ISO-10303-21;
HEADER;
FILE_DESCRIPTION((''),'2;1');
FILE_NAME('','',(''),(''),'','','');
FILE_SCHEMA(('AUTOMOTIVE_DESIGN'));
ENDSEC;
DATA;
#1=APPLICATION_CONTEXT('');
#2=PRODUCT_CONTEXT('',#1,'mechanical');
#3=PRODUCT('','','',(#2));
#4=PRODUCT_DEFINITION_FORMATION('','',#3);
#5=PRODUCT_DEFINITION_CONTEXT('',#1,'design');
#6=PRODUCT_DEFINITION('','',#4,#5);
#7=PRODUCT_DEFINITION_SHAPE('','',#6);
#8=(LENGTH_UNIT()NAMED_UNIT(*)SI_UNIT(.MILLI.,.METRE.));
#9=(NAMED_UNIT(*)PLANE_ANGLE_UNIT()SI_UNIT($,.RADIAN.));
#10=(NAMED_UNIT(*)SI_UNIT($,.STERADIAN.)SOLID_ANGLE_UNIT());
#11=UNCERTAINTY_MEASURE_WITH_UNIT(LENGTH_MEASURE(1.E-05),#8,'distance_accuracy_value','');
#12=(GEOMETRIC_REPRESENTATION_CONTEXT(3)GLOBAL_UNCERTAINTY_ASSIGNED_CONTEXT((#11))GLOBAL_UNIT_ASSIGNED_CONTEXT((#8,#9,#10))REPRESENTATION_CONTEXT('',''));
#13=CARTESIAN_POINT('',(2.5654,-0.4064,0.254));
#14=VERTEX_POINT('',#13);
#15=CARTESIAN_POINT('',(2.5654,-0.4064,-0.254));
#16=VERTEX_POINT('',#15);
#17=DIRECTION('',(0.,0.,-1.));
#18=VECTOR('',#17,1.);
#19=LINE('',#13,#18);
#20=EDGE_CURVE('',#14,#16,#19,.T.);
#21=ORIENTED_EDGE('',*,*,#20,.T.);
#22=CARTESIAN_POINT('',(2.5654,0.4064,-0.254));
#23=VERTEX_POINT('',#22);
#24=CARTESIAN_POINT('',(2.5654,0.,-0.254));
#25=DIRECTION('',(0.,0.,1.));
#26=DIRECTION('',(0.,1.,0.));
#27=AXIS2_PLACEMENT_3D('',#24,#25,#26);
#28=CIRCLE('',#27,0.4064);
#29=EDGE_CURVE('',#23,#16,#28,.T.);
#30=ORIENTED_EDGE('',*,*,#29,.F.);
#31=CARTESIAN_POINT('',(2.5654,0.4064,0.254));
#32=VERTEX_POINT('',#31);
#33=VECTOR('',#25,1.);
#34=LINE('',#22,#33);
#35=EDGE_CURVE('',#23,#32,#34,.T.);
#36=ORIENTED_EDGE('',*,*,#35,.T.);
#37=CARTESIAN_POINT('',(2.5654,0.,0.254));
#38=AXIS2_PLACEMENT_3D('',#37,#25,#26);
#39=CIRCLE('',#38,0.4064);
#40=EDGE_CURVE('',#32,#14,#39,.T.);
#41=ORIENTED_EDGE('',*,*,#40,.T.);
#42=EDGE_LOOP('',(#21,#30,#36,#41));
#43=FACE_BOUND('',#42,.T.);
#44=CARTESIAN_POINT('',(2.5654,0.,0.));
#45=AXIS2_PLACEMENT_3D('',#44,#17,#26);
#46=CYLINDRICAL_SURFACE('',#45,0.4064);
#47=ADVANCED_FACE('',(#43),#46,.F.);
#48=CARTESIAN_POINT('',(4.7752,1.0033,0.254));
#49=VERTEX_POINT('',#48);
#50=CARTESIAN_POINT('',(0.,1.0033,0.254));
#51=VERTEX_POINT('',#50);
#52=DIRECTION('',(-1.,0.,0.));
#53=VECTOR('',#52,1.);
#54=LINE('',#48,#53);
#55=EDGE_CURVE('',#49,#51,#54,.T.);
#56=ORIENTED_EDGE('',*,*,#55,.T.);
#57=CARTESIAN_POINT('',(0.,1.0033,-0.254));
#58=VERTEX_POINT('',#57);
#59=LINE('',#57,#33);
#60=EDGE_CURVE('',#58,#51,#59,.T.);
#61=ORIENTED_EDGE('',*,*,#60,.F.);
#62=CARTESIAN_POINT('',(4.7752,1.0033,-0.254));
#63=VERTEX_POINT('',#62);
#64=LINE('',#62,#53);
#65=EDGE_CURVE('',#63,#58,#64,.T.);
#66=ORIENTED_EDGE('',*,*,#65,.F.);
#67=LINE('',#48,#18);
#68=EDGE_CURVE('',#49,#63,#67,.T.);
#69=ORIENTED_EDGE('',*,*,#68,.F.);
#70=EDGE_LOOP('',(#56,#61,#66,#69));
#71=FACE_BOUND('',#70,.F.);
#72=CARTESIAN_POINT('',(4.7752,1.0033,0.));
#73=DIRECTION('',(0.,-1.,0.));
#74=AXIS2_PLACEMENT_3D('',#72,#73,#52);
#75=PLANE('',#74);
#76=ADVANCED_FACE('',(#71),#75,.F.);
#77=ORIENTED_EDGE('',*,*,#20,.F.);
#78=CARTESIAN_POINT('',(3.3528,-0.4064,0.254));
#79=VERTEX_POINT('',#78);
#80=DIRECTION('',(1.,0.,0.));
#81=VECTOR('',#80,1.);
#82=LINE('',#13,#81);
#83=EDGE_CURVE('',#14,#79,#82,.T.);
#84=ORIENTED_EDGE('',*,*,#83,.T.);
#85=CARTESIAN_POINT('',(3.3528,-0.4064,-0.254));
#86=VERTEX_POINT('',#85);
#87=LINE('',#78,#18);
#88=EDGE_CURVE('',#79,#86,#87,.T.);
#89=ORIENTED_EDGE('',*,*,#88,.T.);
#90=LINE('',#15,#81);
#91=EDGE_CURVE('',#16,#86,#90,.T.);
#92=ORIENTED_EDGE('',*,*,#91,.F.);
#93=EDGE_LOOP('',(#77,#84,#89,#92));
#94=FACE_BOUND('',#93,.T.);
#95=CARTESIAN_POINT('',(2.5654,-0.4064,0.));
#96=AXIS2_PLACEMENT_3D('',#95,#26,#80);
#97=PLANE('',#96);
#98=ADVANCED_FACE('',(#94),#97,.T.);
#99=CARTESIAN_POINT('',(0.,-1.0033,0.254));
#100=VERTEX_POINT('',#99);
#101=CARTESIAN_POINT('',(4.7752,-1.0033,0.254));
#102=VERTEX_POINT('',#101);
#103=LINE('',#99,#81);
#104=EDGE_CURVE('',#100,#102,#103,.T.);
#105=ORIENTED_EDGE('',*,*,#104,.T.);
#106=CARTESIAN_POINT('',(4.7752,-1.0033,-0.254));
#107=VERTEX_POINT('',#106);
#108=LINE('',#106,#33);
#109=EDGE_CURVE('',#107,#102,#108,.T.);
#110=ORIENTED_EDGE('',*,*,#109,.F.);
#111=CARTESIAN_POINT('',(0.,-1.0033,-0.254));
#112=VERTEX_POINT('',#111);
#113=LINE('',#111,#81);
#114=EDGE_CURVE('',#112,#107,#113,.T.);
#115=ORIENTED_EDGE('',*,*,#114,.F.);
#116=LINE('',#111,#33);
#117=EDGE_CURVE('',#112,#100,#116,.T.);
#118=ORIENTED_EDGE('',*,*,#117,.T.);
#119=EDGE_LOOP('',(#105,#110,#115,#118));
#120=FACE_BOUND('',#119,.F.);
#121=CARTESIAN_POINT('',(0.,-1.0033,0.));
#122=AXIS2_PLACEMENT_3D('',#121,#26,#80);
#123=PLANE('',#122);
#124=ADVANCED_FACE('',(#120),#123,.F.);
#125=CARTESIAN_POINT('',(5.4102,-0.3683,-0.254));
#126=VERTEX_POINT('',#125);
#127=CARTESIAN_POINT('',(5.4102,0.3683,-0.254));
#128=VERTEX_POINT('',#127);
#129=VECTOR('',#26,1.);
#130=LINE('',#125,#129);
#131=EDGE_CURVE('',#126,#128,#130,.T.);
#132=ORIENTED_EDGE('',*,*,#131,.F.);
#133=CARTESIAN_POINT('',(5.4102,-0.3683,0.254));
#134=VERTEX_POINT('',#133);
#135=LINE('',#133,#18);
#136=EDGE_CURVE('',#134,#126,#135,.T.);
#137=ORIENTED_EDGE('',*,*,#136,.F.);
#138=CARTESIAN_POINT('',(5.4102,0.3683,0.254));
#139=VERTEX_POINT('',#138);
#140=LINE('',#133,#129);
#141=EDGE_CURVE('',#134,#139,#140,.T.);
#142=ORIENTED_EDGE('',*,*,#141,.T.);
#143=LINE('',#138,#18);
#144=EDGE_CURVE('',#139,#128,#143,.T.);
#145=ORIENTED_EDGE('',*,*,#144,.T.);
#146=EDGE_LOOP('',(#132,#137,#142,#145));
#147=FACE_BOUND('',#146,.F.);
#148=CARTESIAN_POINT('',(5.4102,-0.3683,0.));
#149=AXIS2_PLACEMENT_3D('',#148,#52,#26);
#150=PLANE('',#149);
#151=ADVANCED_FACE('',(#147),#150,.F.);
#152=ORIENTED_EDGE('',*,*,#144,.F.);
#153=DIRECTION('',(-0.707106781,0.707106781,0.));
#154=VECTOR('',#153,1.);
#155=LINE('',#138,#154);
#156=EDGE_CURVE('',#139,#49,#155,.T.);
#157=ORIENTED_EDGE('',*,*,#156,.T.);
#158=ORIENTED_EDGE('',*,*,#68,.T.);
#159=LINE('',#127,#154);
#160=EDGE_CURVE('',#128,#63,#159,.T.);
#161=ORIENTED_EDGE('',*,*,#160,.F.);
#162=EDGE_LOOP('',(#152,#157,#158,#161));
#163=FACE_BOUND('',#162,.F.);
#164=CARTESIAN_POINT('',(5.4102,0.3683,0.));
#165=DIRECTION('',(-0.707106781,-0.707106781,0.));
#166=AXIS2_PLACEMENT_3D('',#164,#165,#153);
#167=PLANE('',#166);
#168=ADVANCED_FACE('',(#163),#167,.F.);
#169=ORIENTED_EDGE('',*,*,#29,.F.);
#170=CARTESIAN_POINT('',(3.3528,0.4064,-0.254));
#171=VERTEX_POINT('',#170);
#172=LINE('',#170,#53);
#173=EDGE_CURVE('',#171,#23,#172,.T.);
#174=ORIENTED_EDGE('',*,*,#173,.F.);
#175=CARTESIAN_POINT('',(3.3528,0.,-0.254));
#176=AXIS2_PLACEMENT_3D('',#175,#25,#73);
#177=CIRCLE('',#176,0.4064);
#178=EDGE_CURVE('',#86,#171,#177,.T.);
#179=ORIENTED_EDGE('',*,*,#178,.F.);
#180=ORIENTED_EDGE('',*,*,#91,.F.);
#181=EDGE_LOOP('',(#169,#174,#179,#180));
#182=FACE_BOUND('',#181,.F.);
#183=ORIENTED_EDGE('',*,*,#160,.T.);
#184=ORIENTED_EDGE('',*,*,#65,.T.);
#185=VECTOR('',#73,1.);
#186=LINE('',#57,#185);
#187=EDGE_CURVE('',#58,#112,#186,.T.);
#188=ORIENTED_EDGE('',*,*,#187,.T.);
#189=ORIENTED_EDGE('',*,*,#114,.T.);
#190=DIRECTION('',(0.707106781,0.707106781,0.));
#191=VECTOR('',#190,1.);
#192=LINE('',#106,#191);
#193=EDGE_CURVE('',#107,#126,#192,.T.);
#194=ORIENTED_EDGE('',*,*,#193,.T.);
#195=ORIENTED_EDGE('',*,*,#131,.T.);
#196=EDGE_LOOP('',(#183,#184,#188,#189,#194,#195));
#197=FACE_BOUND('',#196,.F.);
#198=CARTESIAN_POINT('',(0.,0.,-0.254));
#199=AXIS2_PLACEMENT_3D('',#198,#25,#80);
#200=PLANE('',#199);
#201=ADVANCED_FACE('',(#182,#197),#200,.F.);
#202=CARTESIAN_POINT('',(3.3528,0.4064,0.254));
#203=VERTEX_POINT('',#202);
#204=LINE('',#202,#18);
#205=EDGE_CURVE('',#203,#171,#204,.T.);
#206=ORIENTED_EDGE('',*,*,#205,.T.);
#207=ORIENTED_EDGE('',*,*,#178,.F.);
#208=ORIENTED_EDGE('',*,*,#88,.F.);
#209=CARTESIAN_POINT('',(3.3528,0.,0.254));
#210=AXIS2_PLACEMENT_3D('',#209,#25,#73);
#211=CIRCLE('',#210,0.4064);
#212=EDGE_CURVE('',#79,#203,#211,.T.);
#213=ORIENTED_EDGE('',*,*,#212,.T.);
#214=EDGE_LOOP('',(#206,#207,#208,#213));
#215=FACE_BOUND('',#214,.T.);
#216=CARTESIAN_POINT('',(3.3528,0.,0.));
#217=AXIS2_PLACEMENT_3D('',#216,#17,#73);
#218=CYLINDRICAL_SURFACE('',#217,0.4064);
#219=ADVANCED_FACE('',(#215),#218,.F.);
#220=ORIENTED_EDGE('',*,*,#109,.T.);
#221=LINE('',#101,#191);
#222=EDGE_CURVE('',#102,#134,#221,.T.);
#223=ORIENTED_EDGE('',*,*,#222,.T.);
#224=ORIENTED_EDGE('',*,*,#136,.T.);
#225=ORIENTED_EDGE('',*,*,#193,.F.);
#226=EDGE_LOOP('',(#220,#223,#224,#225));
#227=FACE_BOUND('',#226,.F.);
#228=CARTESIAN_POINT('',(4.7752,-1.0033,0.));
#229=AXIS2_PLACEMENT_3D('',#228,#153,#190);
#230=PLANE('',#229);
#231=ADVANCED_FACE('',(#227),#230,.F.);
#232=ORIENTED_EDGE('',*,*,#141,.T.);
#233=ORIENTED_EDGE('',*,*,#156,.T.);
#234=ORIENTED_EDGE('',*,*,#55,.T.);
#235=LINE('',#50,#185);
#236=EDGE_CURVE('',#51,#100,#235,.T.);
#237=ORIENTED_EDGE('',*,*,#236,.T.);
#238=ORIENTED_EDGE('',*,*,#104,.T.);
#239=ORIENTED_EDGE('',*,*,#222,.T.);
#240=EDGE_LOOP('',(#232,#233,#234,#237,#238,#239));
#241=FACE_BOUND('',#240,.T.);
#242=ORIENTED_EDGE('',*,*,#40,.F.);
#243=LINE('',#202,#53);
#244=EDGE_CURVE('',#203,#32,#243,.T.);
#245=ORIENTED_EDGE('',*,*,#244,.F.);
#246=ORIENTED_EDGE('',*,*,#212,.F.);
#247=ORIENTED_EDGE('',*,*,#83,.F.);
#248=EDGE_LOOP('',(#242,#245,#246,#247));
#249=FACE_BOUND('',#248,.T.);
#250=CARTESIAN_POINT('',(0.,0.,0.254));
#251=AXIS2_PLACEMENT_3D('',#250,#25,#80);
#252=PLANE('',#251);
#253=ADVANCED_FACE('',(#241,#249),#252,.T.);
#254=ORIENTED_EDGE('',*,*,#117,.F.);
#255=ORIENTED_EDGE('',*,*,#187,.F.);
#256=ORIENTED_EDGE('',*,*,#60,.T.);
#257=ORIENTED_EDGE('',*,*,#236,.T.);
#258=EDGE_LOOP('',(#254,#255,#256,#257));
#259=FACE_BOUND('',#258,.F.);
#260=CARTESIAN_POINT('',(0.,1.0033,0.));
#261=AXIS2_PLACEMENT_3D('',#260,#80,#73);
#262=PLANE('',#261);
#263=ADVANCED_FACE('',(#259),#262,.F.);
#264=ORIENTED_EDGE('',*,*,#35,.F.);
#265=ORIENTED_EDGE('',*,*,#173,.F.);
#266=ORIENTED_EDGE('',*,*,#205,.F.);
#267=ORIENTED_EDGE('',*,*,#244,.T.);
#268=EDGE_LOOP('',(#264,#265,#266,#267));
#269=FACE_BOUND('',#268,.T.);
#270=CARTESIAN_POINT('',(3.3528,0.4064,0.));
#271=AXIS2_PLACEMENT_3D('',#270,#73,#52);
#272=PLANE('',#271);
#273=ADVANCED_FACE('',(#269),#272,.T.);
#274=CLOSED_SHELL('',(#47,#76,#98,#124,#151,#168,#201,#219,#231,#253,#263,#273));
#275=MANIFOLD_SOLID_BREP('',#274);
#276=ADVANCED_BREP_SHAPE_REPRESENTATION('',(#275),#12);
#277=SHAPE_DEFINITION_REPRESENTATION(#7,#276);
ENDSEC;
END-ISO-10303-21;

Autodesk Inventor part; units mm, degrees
sketch "Sketch_1" plane through (0, 0, 0) normal (0, 0, 1) x (1, 0, 0)
  line L0 (0, 1.0033) -> (0, -1.0033)
  line L1 (0, -1.0033) -> (4.7752, -1.0033)
  line L2 (4.7752, -1.0033) -> (5.4102, -0.3683)
  line L3 (5.4102, -0.3683) -> (5.4102, 0.3683)
  line L4 (5.4102, 0.3683) -> (4.7752, 1.0033)
  line L5 (4.7752, 1.0033) -> (0, 1.0033)
  arc A0 (2.5654, 0.4064) -> (2.5654, -0.4064) centre (2.5654, 0) ccw
  line L6 (2.5654, -0.4064) -> (3.3528, -0.4064)
  arc A1 (3.3528, -0.4064) -> (3.3528, 0.4064) centre (3.3528, 0) ccw
  line L7 (3.3528, 0.4064) -> (2.5654, 0.4064)
extrude "Extrusion1" add sketch "Sketch_1" along normal mid plane 0.508
ref_plane "P_XY" through (0, 0, 0) normal (1, 0, 0) x (0, 0, -1)
ref_plane "P_YZ" through (0, 0, 0) normal (0, 0, -1) x (0, 1, 0)
ref_plane "P_ZX" through (0, 0, 0) normal (0, 1, 0) x (1, 0, 0)
properties part number "UB16NKG015F-NR"
